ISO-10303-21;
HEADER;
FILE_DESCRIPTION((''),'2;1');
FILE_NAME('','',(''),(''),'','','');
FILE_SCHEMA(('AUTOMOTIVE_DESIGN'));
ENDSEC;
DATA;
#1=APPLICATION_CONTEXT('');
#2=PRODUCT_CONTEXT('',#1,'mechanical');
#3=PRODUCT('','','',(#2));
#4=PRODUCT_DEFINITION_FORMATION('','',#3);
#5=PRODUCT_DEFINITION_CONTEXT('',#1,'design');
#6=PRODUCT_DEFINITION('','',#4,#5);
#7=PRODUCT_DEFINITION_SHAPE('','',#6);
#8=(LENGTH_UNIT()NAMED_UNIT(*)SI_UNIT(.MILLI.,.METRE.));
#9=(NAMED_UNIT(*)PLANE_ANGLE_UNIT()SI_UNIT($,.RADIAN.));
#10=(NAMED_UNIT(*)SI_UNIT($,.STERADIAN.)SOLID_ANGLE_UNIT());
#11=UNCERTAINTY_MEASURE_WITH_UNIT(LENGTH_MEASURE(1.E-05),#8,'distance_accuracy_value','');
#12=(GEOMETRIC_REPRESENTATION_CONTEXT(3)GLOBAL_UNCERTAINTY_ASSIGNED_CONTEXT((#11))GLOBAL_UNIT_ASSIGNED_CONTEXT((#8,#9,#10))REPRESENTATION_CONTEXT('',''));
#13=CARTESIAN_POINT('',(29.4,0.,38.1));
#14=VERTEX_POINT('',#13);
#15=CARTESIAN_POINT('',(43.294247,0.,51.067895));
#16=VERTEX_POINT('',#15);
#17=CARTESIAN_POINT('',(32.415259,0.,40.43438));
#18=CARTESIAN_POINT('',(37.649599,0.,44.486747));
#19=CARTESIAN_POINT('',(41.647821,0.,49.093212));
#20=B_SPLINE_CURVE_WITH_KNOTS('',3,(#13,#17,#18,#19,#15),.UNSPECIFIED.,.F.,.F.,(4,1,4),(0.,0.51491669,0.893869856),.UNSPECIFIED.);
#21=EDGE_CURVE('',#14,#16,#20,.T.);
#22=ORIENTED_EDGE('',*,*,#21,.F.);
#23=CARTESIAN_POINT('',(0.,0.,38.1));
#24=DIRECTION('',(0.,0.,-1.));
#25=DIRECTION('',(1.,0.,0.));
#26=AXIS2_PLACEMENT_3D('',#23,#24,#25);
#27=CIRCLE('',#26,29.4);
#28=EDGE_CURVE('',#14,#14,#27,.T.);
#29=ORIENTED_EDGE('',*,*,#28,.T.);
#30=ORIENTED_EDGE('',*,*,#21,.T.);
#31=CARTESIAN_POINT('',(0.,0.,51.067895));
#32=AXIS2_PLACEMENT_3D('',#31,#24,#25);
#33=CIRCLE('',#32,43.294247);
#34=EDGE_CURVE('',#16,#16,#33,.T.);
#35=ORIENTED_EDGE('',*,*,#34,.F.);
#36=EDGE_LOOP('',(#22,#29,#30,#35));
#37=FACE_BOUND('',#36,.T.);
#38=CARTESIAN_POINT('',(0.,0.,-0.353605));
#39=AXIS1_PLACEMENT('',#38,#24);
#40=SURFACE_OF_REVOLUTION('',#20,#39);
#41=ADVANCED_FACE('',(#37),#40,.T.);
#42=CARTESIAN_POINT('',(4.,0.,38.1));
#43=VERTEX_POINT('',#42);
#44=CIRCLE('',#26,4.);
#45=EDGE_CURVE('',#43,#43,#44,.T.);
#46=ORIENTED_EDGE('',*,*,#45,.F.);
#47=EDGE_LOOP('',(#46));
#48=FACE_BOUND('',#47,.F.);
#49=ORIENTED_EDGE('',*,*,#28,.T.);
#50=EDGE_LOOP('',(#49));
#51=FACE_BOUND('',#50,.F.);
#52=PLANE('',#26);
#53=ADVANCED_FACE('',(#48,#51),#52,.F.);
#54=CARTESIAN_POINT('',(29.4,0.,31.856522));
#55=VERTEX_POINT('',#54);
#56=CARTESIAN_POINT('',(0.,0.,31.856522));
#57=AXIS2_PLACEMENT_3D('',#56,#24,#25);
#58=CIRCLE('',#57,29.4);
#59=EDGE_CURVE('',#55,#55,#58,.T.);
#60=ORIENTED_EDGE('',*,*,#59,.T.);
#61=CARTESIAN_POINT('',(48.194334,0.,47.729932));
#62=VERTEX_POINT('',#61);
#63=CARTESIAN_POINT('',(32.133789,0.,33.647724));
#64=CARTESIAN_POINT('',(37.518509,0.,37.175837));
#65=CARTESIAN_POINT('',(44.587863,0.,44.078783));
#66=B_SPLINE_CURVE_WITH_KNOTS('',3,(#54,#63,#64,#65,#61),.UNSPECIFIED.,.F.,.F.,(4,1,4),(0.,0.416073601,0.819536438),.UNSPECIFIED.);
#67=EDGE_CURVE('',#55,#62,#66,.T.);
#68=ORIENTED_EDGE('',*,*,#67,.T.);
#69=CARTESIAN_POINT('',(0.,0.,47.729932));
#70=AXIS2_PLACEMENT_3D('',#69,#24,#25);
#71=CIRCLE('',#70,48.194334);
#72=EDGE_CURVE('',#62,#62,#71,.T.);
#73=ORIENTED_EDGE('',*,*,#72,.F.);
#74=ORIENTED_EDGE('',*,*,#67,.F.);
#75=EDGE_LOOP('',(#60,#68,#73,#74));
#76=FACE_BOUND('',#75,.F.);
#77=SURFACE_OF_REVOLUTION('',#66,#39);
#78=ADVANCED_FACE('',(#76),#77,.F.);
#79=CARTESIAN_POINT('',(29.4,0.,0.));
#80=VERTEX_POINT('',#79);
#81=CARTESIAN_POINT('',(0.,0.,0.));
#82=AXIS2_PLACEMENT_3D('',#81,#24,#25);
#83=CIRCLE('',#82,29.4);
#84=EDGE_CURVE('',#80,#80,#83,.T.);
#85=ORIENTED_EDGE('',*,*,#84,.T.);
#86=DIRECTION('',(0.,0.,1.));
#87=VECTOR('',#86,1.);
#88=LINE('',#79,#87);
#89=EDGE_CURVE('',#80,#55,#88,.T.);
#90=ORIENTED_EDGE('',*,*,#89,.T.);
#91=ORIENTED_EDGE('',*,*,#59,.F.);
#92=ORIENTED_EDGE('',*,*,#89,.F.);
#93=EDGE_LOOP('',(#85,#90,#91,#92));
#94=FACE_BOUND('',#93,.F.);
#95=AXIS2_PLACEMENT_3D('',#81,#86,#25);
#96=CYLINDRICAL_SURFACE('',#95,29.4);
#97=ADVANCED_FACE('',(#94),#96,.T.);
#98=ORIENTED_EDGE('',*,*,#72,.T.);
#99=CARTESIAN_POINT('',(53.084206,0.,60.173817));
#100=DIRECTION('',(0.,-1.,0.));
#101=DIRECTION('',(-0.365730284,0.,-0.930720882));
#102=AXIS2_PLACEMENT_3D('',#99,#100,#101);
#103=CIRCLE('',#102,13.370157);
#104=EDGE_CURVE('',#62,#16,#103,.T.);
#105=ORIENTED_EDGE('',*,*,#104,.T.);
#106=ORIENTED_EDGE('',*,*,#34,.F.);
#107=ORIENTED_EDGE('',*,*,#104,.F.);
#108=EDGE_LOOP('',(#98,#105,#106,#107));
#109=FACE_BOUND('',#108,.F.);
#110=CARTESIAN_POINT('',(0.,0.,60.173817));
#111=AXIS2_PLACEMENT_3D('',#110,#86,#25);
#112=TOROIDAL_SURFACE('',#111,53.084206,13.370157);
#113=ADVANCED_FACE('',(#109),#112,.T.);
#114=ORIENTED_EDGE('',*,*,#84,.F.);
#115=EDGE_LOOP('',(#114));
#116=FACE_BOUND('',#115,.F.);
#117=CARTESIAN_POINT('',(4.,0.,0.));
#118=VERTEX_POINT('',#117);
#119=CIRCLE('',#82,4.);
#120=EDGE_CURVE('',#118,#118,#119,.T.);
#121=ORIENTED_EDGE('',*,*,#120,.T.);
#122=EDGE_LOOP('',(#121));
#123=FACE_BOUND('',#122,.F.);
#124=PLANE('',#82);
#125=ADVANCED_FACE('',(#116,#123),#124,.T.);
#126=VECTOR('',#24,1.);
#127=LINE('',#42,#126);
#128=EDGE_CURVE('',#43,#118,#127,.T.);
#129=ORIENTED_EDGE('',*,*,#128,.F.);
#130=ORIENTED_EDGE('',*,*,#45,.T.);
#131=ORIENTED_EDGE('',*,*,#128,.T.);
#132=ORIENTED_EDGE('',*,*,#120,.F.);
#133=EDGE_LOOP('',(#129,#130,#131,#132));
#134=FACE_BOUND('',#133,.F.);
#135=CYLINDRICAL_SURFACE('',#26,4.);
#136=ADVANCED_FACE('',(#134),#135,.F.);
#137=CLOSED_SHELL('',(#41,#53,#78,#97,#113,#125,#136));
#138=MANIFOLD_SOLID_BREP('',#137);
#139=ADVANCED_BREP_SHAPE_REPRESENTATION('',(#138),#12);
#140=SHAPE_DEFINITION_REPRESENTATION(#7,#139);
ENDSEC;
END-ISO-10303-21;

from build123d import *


with BuildPart() as f1:
    # F0 (on Front) → F1 (revolve)
    with BuildSketch(Plane.XZ):
        with BuildLine():
            Line((4, 38.1), (4, 0))
            Line((4, 0), (29.4, 0))
            Line((29.4, 0), (29.4, 31.8565219641))
            add(Edge.make_bspline(
                [(29.4, 31.8565219641), (32.1337886081, 33.6477236396), (37.5185086104, 37.1758372108), (44.5878625881, 44.0787832384), (48.1943344148, 47.7299323986)],
                knots=[0, 0, 0, 0, 0.4160736009, 0.8195364378, 0.8195364378, 0.8195364378, 0.8195364378], degree=3))
            ThreePointArc((48.1943344148, 47.7299323986), (60.6114798997, 71.2237604691), (43.2942467959, 51.0678953914))
            add(Edge.make_bspline(
                [(29.4, 38.1), (32.4152587252, 40.4343798209), (37.6495987817, 44.4867474004), (41.6478211936, 49.0932115897), (43.2942467959, 51.0678953914)],
                knots=[0, 0, 0, 0, 0.51491669, 0.8938698563, 0.8938698563, 0.8938698563, 0.8938698563], degree=3))
            Line((29.4, 38.1), (4, 38.1))
        make_face()
    revolve(axis=Axis((0, 0, -0.3536045551), (0, 0, -1)))


solid = f1.part
